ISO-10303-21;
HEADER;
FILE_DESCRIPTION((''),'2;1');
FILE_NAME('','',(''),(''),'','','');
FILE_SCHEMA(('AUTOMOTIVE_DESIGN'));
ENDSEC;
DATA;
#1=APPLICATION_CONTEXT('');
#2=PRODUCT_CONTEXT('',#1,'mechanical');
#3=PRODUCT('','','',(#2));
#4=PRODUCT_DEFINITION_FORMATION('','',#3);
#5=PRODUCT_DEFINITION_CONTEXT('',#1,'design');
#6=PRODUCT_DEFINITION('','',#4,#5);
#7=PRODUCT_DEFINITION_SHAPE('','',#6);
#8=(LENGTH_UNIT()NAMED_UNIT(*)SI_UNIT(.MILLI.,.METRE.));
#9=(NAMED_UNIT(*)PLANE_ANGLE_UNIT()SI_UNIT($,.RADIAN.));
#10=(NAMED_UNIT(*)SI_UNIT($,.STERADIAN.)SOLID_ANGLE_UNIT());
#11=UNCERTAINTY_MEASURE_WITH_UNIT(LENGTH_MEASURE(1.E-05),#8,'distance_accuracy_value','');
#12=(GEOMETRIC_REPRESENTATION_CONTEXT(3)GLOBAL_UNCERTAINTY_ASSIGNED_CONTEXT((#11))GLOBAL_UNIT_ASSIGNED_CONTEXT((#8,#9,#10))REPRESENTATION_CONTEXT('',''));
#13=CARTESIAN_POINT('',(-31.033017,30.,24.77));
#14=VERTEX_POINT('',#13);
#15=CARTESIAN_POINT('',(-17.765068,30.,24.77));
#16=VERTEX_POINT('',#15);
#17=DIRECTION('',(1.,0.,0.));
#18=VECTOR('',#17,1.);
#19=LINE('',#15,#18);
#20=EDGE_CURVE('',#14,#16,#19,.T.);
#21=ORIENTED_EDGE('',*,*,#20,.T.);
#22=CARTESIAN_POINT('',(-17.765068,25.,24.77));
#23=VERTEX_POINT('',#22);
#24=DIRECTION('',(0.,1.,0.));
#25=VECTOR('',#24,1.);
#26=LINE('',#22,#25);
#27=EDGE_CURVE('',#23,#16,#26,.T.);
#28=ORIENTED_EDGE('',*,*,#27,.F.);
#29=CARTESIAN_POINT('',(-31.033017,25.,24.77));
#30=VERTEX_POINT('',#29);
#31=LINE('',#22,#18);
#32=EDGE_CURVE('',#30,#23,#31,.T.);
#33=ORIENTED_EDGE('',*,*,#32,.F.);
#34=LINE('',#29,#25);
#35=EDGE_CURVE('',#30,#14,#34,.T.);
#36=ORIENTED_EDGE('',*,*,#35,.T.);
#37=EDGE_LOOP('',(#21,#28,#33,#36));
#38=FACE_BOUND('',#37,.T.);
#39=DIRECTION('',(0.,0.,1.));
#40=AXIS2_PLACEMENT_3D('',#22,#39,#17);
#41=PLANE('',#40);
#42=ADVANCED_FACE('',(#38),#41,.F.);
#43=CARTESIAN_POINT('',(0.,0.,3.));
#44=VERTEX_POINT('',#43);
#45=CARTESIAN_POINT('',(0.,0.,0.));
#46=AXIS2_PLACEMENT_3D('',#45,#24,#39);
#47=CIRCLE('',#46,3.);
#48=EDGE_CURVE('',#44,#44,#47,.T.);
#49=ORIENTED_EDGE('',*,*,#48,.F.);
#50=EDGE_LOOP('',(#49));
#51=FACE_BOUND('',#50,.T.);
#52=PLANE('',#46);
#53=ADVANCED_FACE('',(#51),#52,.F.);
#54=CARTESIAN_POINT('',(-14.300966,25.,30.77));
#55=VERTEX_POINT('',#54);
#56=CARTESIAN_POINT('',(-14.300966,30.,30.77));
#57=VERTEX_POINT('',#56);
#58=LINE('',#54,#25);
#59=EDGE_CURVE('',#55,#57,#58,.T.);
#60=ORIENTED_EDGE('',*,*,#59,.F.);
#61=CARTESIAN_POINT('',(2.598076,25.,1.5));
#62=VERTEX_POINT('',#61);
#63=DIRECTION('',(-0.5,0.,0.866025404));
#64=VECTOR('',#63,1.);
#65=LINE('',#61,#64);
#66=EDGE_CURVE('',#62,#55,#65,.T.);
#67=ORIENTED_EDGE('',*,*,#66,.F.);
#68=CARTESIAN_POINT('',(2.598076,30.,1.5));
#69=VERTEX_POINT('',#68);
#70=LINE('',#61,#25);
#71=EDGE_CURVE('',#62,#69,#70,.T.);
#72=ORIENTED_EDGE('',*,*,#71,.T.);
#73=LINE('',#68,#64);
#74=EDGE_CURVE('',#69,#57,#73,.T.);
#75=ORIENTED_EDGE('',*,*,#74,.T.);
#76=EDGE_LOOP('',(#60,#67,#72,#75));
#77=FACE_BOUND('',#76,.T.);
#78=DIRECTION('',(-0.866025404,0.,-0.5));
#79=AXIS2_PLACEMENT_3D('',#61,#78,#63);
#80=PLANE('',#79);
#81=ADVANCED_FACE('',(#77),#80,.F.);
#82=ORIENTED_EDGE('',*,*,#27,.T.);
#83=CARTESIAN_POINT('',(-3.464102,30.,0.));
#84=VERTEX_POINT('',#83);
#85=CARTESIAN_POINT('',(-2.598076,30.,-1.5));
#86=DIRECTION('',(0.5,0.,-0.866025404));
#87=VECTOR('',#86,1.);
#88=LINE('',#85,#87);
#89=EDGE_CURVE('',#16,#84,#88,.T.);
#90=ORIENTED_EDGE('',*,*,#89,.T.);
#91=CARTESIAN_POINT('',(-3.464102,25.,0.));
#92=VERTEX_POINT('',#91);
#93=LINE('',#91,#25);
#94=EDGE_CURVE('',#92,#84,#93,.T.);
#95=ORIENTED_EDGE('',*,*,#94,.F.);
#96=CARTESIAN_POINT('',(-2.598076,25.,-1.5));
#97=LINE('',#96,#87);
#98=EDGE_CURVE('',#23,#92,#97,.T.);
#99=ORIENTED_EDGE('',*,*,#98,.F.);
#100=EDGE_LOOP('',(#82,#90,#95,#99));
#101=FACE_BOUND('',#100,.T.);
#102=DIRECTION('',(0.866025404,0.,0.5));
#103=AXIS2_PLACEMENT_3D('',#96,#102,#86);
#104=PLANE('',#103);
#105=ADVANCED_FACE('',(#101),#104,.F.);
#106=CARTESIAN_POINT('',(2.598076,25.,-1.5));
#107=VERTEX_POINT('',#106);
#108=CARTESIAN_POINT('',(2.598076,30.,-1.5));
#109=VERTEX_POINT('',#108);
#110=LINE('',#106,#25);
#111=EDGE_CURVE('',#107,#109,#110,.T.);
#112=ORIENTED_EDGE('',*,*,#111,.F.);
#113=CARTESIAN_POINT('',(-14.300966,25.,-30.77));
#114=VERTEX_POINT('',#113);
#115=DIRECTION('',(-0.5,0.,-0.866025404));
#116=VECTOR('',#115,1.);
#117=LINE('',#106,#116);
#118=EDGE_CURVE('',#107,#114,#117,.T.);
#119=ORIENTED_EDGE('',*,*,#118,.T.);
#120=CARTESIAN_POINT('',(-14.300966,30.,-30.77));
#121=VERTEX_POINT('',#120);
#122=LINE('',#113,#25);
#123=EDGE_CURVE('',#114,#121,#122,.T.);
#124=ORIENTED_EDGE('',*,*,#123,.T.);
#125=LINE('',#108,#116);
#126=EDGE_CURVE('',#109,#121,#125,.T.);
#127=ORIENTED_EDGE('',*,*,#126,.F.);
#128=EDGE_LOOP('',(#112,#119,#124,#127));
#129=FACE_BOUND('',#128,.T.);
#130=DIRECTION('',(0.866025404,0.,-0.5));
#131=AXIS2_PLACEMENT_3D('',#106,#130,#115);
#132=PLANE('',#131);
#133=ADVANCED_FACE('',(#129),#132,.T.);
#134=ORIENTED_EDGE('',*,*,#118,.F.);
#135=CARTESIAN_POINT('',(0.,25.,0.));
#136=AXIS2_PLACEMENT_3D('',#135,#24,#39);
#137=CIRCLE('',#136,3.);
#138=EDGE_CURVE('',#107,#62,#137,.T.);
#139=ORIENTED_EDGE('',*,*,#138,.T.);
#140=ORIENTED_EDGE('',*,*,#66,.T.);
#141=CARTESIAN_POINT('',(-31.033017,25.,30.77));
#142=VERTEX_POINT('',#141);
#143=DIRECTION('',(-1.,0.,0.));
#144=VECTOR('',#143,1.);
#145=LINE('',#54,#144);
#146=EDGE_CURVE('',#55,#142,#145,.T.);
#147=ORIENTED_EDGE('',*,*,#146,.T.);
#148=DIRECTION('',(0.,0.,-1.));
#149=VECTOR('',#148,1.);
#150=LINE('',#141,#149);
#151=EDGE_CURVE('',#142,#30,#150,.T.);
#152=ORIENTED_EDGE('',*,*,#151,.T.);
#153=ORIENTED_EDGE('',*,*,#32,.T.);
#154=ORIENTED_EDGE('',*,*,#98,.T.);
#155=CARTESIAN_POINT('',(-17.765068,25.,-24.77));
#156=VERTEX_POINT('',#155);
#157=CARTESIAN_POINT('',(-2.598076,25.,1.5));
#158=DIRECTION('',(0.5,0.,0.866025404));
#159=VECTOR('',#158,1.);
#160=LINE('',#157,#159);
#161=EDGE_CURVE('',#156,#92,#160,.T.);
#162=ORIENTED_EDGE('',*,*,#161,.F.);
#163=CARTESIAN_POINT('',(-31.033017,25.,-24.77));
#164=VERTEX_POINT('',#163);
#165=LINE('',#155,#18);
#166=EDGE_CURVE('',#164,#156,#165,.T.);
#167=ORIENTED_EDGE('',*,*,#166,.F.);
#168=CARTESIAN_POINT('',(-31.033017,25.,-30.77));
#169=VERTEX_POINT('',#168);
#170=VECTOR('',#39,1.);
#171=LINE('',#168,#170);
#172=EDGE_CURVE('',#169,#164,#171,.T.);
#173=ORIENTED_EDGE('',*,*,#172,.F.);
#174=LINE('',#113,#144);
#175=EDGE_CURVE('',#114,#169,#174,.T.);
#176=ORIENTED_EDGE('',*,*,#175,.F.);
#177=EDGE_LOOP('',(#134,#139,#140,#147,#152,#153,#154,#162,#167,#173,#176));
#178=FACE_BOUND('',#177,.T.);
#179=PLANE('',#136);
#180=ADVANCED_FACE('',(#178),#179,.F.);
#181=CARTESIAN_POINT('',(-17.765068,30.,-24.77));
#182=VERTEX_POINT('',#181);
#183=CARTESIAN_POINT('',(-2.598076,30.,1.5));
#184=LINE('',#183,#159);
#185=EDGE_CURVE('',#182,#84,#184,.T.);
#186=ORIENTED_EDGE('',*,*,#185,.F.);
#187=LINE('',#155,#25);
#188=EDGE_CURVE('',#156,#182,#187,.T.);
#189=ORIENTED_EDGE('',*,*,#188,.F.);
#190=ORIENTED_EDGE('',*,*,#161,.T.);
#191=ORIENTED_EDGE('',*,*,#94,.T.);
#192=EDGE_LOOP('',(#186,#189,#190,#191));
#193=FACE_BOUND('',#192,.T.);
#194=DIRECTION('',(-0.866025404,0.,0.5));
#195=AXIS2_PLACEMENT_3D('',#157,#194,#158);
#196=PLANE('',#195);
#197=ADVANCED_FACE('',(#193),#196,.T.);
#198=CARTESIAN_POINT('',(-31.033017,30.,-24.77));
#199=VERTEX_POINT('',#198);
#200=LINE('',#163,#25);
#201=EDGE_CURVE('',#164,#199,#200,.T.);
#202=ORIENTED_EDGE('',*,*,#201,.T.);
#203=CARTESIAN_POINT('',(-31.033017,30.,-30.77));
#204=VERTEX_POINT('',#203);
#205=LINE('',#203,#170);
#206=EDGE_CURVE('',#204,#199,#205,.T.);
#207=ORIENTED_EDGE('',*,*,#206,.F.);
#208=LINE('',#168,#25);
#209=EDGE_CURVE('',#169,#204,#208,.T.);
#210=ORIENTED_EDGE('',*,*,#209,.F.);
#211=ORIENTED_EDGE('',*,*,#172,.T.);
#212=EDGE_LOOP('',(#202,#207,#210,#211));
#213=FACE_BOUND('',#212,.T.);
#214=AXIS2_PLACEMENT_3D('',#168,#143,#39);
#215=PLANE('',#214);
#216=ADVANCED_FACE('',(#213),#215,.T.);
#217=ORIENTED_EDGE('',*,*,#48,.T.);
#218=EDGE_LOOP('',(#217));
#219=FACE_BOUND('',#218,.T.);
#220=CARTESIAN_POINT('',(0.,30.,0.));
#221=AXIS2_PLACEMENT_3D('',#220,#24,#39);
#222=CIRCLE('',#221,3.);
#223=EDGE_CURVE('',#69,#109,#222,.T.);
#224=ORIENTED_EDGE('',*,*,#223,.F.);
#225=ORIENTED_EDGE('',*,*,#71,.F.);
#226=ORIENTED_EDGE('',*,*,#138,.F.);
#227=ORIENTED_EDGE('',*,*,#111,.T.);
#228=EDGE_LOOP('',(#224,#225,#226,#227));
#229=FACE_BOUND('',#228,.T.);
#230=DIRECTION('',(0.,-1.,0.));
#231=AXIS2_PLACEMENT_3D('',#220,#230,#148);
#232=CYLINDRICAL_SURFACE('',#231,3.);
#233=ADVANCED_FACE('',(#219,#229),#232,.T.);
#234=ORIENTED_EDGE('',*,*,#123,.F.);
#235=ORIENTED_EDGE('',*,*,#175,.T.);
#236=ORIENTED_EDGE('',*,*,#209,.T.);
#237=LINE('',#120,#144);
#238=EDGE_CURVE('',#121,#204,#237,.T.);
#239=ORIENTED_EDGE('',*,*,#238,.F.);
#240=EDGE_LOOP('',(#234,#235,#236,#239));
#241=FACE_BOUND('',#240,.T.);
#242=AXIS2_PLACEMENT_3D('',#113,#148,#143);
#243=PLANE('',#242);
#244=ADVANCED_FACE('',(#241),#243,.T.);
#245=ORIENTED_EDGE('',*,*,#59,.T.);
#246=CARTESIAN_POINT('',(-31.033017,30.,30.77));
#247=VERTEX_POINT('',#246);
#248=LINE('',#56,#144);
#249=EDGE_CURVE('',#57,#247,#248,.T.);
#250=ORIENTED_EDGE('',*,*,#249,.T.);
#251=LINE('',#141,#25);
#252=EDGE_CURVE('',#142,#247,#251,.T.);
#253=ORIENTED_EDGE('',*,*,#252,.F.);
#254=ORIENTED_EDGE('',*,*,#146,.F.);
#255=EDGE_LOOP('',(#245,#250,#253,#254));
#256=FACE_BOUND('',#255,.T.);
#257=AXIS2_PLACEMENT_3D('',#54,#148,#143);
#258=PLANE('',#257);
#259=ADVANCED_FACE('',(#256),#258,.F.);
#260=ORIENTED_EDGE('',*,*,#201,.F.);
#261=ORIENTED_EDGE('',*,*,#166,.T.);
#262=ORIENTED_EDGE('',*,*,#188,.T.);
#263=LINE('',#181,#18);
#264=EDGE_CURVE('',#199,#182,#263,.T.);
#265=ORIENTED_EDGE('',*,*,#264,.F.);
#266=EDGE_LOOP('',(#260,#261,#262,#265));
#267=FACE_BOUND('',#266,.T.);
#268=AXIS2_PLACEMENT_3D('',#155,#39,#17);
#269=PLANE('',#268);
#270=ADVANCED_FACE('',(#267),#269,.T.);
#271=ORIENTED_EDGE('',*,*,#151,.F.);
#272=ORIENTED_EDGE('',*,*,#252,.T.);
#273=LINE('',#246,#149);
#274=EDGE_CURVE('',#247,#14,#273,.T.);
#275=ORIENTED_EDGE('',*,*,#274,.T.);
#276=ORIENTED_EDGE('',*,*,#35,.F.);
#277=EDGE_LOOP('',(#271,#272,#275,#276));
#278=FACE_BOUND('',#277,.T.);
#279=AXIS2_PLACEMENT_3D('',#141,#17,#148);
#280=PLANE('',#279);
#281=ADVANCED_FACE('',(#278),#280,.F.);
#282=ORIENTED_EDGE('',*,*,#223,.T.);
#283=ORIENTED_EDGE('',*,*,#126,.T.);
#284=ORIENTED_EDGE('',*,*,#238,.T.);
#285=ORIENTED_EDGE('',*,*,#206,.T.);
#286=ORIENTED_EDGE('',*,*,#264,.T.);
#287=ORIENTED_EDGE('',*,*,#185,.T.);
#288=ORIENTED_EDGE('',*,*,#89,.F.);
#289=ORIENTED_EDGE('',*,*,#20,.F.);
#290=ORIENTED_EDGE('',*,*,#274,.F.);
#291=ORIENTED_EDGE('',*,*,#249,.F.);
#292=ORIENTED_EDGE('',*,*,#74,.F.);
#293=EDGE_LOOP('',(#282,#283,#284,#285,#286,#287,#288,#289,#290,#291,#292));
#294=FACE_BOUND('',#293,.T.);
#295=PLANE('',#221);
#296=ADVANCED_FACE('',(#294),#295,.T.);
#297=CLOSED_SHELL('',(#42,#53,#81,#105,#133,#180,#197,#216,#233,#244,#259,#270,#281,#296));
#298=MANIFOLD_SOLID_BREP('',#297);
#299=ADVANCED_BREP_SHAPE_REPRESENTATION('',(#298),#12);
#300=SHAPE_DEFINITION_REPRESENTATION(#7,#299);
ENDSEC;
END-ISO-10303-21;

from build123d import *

# Parameters (mm, degrees)
SKETCH1_R             = 3
STEERING_COLUMN_DEPTH = 30
LEFT_HANDLE_BAR_DEPTH = 5


with BuildPart() as part:
    # Sketch1 → Steering Column (new body)
    with BuildSketch(Plane(origin=(0, 0, 0), x_dir=(1, 0, 0), z_dir=(0, 1, 0))):
        with Locations(Location((0, 0, 0), (0, 0, 270))):
            Circle(SKETCH1_R)
    extrude(amount=STEERING_COLUMN_DEPTH)

    # Sketch2 → Left Handle Bar (add)
    with BuildSketch(Plane(origin=(0, 30, 0), x_dir=(1, 0, 0), z_dir=(0, 1, 0))):
        Polygon((2.598076211, 1.5), (-14.300966168, 30.77), (-31.033016975, 30.77), (-31.033016975, 24.77), (-17.765067783, 24.77), (-2.598076211, -1.5), align=None)
    left_handle_bar = extrude(amount=-LEFT_HANDLE_BAR_DEPTH)

    # Mirror1: Left Handle Bar across plane
    add(left_handle_bar.mirror(Plane.XY))


solid = part.part
